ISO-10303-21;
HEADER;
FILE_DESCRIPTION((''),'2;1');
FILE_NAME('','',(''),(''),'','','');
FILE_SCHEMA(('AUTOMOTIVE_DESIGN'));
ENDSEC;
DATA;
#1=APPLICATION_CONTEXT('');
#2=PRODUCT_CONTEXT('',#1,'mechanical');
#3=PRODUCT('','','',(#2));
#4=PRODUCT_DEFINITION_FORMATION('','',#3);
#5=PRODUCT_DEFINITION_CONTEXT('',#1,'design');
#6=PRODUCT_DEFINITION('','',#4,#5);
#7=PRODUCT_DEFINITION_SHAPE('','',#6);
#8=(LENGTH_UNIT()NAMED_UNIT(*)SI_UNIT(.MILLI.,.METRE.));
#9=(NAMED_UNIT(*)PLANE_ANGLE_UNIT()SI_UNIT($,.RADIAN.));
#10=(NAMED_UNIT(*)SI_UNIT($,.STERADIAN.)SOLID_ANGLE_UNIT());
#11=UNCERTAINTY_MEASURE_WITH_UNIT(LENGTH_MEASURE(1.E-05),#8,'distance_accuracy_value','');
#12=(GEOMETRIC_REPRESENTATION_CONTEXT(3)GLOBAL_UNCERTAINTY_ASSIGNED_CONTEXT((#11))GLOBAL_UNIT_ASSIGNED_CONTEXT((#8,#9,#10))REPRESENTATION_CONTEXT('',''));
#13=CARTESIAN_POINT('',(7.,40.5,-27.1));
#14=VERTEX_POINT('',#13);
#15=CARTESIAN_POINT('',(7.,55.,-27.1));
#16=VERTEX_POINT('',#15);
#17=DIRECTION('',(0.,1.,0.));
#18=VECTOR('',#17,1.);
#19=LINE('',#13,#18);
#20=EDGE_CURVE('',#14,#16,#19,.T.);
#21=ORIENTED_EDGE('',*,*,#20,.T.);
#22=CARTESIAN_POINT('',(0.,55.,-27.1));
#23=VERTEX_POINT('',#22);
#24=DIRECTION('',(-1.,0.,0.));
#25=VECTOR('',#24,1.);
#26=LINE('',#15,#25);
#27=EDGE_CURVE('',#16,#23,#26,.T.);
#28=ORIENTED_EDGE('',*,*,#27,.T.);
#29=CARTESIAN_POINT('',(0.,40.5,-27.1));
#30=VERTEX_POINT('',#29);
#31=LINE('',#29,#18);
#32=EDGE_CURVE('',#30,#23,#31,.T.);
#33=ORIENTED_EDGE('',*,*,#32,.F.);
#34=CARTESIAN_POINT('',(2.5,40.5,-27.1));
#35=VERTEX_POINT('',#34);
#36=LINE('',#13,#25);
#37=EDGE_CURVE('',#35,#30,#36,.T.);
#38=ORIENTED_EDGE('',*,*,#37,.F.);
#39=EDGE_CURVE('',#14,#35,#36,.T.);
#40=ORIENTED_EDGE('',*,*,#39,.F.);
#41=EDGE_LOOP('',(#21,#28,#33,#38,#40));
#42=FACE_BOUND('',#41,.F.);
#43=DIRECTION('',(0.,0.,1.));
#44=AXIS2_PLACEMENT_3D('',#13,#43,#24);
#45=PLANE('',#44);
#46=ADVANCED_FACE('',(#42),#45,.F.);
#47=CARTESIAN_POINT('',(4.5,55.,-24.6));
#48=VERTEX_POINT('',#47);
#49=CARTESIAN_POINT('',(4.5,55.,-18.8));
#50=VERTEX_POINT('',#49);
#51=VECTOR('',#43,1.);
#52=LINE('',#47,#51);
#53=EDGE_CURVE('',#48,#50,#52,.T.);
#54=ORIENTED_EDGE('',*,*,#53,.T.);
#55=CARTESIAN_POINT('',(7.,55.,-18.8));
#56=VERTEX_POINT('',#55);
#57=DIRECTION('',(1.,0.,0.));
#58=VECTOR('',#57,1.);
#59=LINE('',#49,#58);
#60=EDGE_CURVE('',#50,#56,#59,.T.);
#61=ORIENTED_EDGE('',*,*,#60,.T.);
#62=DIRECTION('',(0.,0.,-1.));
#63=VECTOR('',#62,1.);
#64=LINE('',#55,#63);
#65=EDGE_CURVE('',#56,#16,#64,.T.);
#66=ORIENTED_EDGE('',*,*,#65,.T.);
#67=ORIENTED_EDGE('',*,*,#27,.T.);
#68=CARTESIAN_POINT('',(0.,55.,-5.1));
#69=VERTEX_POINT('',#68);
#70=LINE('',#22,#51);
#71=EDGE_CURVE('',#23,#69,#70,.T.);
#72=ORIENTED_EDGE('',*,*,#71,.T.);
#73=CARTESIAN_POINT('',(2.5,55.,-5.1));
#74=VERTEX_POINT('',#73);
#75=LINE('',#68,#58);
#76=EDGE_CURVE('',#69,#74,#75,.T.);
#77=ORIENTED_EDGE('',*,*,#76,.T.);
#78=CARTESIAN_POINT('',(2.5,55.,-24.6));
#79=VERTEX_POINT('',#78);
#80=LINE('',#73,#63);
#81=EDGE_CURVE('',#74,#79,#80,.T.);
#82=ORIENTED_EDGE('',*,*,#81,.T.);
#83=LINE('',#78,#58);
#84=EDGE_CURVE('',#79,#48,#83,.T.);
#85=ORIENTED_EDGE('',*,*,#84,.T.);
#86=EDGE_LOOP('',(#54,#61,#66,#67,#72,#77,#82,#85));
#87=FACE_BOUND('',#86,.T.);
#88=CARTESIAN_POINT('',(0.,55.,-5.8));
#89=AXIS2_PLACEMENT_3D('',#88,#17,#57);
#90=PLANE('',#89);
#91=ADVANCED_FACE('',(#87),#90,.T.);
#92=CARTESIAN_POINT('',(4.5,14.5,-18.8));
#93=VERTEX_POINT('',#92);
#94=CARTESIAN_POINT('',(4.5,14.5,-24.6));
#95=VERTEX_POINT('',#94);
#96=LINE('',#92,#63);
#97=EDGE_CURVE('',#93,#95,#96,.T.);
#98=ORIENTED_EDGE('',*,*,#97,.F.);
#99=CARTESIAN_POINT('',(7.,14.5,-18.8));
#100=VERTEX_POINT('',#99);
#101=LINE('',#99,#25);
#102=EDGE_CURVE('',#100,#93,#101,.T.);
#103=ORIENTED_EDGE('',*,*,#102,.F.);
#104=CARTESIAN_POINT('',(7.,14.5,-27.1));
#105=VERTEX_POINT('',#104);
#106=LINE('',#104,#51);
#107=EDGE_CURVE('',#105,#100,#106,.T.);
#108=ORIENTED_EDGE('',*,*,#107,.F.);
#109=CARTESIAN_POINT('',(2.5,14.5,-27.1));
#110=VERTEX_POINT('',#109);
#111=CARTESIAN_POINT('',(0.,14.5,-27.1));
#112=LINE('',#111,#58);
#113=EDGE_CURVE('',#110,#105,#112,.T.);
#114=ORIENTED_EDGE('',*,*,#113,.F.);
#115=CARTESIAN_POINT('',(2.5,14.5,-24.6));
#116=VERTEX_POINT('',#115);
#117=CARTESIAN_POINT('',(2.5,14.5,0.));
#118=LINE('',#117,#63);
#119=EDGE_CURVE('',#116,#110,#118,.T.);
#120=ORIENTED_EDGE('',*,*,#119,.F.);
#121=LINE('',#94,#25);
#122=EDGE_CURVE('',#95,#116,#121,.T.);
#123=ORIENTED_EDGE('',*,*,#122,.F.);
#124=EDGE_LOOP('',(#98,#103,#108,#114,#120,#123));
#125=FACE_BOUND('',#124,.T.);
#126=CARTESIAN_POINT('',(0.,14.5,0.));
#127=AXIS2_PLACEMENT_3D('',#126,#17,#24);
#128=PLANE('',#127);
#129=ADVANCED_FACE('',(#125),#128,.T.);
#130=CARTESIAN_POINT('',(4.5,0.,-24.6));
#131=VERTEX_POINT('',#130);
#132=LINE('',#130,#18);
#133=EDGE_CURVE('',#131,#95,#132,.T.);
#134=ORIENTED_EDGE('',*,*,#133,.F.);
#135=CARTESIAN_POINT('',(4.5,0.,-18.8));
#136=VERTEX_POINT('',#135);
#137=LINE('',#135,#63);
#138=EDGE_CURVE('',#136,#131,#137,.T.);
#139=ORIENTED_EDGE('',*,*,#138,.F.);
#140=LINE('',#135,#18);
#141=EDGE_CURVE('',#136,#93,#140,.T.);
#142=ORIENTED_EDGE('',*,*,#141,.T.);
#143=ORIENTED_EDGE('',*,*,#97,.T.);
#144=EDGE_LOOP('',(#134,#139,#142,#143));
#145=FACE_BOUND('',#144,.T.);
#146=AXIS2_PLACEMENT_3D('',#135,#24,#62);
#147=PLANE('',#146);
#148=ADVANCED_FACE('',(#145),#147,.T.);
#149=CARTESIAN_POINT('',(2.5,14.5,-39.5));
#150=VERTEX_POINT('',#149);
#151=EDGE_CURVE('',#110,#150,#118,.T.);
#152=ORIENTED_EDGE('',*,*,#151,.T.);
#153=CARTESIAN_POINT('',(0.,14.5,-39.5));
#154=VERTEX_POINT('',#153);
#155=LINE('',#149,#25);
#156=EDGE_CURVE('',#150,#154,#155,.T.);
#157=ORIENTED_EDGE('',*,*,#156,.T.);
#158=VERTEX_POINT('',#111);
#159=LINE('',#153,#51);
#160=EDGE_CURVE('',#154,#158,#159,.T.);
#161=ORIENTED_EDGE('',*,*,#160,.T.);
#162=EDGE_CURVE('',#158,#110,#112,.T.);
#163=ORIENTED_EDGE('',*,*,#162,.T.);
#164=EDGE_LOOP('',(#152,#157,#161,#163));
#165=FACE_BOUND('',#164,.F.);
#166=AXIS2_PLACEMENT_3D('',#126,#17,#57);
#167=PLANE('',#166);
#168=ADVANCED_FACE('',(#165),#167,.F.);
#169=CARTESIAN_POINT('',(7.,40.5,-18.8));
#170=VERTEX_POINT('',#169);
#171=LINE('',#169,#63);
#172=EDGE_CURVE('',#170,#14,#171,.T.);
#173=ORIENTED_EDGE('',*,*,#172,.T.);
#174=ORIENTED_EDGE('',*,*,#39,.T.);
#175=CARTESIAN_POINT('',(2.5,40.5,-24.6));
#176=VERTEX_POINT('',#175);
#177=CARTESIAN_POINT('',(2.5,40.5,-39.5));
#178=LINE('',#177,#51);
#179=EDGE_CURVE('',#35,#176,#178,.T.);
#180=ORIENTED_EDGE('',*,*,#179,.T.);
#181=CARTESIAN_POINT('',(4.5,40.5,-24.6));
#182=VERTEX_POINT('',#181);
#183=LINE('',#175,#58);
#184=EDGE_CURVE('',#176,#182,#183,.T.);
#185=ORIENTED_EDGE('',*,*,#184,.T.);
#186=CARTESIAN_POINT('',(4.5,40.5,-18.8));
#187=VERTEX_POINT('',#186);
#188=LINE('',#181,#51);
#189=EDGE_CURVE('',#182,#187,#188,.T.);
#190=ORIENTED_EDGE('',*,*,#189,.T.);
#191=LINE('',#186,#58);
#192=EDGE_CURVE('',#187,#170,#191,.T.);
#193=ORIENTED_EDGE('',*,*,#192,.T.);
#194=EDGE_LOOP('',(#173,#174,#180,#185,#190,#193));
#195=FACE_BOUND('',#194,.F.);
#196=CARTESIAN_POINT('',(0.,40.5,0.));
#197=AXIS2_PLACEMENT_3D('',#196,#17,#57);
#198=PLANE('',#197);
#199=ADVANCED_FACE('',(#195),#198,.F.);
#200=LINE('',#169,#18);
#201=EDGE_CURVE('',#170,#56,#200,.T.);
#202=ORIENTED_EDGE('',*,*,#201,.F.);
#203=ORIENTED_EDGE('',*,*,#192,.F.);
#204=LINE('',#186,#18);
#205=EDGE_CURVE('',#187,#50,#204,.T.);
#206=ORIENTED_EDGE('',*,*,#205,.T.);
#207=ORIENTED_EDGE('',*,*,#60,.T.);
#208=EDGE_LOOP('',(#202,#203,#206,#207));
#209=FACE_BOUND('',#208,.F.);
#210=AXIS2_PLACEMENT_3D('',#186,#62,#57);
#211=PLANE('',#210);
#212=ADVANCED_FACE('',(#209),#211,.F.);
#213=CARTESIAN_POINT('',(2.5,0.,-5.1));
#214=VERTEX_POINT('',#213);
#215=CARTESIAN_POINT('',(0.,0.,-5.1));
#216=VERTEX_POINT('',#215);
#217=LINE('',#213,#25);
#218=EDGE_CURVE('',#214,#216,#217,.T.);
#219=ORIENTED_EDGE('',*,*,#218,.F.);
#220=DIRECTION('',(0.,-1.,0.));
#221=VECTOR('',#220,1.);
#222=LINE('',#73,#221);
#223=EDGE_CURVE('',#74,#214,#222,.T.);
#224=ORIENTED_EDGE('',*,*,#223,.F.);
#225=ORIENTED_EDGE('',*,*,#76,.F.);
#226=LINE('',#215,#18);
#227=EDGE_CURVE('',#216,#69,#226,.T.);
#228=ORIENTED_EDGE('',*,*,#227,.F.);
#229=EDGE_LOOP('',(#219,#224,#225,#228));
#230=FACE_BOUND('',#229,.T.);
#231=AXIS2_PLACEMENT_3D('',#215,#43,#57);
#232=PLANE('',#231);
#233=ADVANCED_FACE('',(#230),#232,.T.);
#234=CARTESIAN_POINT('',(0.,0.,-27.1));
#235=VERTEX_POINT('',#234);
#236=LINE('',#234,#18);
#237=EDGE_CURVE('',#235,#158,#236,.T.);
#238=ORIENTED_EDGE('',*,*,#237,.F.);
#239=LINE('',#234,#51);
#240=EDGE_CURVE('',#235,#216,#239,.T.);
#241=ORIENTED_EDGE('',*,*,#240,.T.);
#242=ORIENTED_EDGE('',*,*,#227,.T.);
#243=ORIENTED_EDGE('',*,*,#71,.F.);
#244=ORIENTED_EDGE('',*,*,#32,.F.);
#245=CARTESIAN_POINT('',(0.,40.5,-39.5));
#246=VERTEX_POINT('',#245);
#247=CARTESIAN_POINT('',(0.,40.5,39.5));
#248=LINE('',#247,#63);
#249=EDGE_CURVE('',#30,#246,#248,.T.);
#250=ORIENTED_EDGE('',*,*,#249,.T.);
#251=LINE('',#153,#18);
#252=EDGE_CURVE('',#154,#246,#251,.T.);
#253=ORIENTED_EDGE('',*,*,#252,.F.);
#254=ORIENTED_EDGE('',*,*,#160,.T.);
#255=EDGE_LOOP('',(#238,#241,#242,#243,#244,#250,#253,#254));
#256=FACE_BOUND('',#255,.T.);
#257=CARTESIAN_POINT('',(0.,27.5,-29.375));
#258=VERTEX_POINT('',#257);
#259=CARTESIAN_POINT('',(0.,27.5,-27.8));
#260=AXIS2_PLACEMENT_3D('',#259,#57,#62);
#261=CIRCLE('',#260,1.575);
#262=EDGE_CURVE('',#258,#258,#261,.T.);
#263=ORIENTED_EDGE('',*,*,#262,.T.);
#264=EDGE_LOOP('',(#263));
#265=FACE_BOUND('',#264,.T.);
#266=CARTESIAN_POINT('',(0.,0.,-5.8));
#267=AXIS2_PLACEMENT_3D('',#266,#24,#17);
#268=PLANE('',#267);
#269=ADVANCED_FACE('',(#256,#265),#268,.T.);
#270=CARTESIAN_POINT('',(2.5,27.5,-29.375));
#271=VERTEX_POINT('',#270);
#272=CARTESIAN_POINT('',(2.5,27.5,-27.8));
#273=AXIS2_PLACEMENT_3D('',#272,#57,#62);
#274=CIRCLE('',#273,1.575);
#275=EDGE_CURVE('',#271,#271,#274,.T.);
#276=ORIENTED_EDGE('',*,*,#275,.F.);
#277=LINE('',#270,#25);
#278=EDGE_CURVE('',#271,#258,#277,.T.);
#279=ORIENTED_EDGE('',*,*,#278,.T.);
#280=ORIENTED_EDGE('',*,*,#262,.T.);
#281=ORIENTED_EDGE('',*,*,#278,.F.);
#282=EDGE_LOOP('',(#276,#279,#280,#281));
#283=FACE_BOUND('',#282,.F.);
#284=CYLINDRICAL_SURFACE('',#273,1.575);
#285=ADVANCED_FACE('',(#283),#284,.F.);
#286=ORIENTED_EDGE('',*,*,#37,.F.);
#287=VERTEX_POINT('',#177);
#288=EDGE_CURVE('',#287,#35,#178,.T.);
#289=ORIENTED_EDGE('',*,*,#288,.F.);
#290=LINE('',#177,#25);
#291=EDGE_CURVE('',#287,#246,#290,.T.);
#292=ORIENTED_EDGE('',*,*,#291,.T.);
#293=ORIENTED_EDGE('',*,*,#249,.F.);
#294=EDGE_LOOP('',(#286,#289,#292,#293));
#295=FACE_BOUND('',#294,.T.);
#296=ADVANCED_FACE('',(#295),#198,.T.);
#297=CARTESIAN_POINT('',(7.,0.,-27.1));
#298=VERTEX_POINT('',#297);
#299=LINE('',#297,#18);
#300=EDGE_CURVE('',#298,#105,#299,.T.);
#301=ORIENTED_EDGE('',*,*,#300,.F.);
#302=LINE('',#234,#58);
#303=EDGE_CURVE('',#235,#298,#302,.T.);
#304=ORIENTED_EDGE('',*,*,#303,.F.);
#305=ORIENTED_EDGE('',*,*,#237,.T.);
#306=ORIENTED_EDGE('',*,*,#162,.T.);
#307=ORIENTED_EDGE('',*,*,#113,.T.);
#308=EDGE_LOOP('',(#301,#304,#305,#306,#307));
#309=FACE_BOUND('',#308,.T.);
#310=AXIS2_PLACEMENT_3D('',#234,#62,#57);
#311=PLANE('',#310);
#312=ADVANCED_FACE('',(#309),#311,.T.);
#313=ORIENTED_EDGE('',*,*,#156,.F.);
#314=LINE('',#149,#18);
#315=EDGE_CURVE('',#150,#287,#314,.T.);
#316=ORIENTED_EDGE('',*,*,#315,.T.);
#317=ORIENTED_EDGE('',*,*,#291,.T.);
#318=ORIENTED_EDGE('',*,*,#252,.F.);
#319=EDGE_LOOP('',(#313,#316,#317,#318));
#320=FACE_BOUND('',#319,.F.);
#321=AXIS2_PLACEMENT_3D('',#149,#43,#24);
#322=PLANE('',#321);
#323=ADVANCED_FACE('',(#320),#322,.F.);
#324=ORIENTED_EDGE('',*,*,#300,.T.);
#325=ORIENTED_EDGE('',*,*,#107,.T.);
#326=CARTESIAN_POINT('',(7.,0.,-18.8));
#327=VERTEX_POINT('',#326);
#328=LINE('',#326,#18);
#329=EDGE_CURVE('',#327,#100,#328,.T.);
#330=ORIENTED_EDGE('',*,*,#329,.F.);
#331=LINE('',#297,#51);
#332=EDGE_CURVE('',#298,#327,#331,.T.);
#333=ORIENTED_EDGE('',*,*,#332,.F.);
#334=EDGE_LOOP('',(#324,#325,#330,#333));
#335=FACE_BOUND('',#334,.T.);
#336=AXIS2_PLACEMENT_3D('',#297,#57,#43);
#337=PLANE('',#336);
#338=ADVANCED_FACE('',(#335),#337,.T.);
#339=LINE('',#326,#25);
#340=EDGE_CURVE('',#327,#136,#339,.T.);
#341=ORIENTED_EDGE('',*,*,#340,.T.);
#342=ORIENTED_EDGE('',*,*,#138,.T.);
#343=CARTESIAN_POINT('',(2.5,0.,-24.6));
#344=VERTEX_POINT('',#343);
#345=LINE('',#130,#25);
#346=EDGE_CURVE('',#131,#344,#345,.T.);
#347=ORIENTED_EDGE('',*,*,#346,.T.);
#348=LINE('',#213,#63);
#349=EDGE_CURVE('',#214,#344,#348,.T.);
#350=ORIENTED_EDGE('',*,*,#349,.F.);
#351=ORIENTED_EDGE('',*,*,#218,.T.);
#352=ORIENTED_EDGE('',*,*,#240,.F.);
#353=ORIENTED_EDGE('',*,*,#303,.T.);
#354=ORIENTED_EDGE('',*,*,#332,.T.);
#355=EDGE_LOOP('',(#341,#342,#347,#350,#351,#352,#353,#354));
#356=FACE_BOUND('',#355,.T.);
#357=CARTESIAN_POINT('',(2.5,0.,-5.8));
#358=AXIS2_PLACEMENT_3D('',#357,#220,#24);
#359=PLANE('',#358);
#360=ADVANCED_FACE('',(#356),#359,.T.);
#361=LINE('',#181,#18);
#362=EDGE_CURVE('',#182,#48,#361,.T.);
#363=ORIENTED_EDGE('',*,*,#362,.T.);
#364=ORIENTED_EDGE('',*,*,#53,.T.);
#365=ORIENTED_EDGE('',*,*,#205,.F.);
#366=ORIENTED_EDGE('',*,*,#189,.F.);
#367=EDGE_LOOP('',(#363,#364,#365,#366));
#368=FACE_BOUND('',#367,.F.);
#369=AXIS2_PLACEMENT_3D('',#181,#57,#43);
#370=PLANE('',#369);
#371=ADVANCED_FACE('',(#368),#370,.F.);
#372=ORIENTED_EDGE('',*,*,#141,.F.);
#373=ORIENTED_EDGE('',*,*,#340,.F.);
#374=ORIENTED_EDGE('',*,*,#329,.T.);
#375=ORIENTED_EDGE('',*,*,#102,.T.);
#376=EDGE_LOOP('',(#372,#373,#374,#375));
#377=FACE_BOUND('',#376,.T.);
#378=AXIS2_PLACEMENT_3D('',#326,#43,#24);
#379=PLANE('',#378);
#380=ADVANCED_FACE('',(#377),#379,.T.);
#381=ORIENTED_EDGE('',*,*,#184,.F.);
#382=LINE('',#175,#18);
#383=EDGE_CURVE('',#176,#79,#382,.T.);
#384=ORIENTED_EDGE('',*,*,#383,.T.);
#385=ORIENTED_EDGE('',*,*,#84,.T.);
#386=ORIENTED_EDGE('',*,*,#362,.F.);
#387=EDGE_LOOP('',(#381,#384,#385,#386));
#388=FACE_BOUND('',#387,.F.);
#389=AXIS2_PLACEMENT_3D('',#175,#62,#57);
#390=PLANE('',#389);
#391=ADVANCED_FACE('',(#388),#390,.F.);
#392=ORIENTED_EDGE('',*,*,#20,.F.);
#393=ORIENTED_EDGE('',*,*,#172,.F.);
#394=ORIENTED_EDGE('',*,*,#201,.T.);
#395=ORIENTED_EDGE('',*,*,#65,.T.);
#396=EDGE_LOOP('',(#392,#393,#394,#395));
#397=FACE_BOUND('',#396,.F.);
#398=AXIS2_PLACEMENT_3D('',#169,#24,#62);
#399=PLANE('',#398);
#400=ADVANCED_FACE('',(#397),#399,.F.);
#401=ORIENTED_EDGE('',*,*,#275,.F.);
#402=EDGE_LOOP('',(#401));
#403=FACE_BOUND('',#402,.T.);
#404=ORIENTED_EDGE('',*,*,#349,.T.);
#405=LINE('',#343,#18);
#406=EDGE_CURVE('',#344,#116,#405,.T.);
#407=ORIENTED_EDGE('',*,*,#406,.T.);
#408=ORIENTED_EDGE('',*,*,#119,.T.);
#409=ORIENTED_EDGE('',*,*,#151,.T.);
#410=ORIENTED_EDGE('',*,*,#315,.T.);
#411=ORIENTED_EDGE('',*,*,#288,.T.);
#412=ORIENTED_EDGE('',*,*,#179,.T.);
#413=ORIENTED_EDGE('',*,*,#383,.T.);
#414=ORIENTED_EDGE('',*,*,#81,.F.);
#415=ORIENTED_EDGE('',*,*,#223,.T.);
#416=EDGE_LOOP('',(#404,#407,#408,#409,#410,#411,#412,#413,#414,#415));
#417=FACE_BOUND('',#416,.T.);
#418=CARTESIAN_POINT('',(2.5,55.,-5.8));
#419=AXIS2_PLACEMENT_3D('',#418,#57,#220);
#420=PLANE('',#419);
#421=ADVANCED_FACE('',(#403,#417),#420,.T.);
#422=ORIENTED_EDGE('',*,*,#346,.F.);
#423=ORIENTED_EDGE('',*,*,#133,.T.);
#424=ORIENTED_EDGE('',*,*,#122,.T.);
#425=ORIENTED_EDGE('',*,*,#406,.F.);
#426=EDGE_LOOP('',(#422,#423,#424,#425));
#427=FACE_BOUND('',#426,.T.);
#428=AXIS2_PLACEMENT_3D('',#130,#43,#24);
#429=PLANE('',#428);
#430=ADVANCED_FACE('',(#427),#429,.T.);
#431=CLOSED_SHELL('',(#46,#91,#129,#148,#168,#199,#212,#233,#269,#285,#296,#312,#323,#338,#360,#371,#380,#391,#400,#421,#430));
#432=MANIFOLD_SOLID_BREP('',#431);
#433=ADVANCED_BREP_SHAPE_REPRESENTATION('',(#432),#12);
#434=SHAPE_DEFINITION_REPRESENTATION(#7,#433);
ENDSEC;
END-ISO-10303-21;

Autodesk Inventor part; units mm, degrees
ref_plane "YZ Plane" through (0, 0, 0) normal (1, 0, 0) x (0, 1, 0)
ref_plane "XZ Plane" through (0, 0, 0) normal (0, 1, 0) x (-1, 0, 0)
ref_plane "XY Plane" through (0, 0, 0) normal (0, 0, 1) x (1, 0, 0)
sketch "Sketch1" plane through (0, 0, 0) normal (0, 1, 0) x (-1, 0, 0)
  line L0 (0, 27.1) -> (0, -27.1)
  line L1 (0, 27.1) -> (-6.8, 27.1)
  line L2 (-6.8, 27.1) -> (-6.8, 18.8)
  line L3 (-6.8, 18.8) -> (-4.3, 18.8)
  line L4 (-4.3, 18.8) -> (-4.3, 24.6)
  line L5 (-4.3, 24.6) -> (-2.5, 24.6)
  line L6 (-2.5, 24.6) -> (-2.5, 0)
  line L7 (0, -27.1) -> (-7, -27.1)
  line L8 (-7, -27.1) -> (-7, -18.8)
  line L9 (-7, -18.8) -> (-4.5, -18.8)
  line L10 (-4.5, -18.8) -> (-4.5, -24.6)
  line L11 (-4.5, -24.6) -> (-2.5, -24.6)
  line L12 (-2.5, -24.6) -> (-2.5, 0)
  point P0 (0, 0)
  dimension "d0" = 54.2
  dimension "d1" = 6.8
  dimension "d2" = 8.3
  dimension "d3" = 2.5
  dimension "d4" = 5.8
  dimension "d5" = 1.8
  dimension "d6" = 8.3
  dimension "d7" = 5.8
extrude "Extrusion1" add sketch "Sketch1" along normal blind 14.5
sketch "Sketch2" plane through (0, 14.5, 0) normal (0, 1, 0) x (1, 0, 0)
  line L0 (2.5, -24.6) -> (2.5, 24.6) projected
  line L1 (2.5, 0) -> (2.5, 39.5)
  line L2 (2.5, 39.5) -> (0, 39.5)
  line L3 (0, 39.5) -> (0, 0)
  line L4 (0, 0) -> (0, -39.5)
  line L5 (0, 27.1) -> (0, -27.1) projected
  line L6 (0, -39.5) -> (2.5, -39.5)
  line L7 (2.5, -39.5) -> (2.5, 0)
  point P0 (2.5, -24.6)
  point P1 (2.5, 24.6)
  dimension "d10" = 39.5
  dimension "d11" = 39.5
extrude "Extrusion2" add sketch "Sketch2" along normal blind 26
sketch "Sketch3" plane through (0, 40.5, 0) normal (0, 1, 0) x (1, 0, 0)
  line L0 (2.5, -24.6) -> (2.5, 24.6) projected
  line L1 (2.5, 0) -> (2.5, 24.6558)
  line L2 (0, 27.1) -> (0, -27.1) projected
  line L3 (4.3, -24.6) -> (2.5, -24.6) projected
  line L4 (6.8, -18.8) -> (4.3, -18.8) projected
  line L5 (4.3, -24.6) -> (4.3, -18.8)
  line L6 (4.3, -18.8) -> (6.8, -18.8)
  line L7 (6.8, -18.8) -> (6.8, -27.1)
  line L8 (6.8, -27.1) -> (2.5, -27.1)
  line L9 (2.5, 0) -> (2.5, 24.6558)
  line L10 (2.5, 24.6) -> (4.5, 24.6) projected
  line L11 (4.5, 18.8) -> (7, 18.8) projected
  line L12 (4.5, 24.6) -> (4.5, 18.8)
  line L13 (4.5, 18.8) -> (7, 18.8)
  line L14 (7, 18.8) -> (7, 27.1)
  line L15 (7, 27.1) -> (0, 27.1)
  line L16 (0, 27.1) -> (0, -27.1)
  line L17 (6.8, -27.1) -> (0, -27.1)
  line L18 (4.3, -24.6) -> (2.5, -24.6)
  point P0 (0, 0)
extrude "Extrusion3" add sketch "Sketch3" along normal blind 14.5
sketch "Sketch4" plane through (2.5, 0, 24.6) normal (1, 0, 0) x (0, 0, -1)
  line L0 (64.1, 14.5) -> (64.1, 40.5) projected
  line L1 (-14.9, 14.5) -> (-14.9, 40.5) projected
  line L2 (-14.9, 27.5) -> (-1.5, 27.5)
  circle A0 centre (-1.5, 27.5) radius 1.5
  line L3 (64.1, 14.5) -> (64.1, 40.5) projected
  circle A1 centre (52.4, 27.5) radius 1.575
  line L4 (52.4, 27.5) -> (64.1, 27.5)
  point P0 (24.6, 0)
  dimension "d18" = 13.4
  dimension "d19" = 3
extrude "Extrusion4" cut sketch "Sketch4" against normal blind 4.5
sketch "Sketch5" plane through (0, 0, -27.1) normal (-1, 0, 0) x (0, 0, 1)
  line L0 (27.1, 0) -> (21.3, 0)
  line L1 (51.7, 0) -> (2.5, 0) projected
  line L2 (21.3, 0) -> (21.3, 55)
  line L3 (51.7, 55) -> (2.5, 55) projected
  line L4 (27.1, 55) -> (32.9, 55)
  line L5 (32.9, 55) -> (32.9, 0)
  line L6 (32.9, 0) -> (27.1, 0)
  dimension "d22" = 5.8
  dimension "d23" = 5.8
extrude "Extrusion5" cut sketch "Sketch5" against normal blind 62.3875
sketch "Sketch6" plane through (0, 0, 5.8) normal (0, 0, -1) x (-1, 0, 0)
  point P0 (0, 0)
sketch "Sketch7" plane through (0, 14.5, 27.1) normal (-1, 0, 0) x (0, 0, 1)
  line L0 (-21.3, -14.5) -> (0, -14.5) projected
  line L1 (-21.3, -14.5) -> (18.5957, -14.5)
  line L2 (18.5957, -14.5) -> (18.5957, 49.9868)
  line L3 (18.5957, 49.9868) -> (-21.3, 49.9868)
  line L4 (-21.3, 49.9868) -> (-21.3, -14.5)
  point P0 (-27.1, -14.5)
extrude "Extrusion6" cut sketch "Sketch7" against normal blind 62.3875
sketch "Sketch8" plane through (0, 0, -5.8) normal (0, 0, 1) x (1, 0, 0)
  line L0 (0, 55) -> (2.5, 55)
  line L1 (2.5, 0) -> (0, 0) projected
  line L2 (2.5, 55) -> (2.5, 0)
  line L3 (2.5, 0) -> (0, 0)
  line L4 (0, 0) -> (0, 55)
extrude "Extrusion7" add sketch "Sketch8" along normal blind 0.7
properties part number "cam_holder3"
